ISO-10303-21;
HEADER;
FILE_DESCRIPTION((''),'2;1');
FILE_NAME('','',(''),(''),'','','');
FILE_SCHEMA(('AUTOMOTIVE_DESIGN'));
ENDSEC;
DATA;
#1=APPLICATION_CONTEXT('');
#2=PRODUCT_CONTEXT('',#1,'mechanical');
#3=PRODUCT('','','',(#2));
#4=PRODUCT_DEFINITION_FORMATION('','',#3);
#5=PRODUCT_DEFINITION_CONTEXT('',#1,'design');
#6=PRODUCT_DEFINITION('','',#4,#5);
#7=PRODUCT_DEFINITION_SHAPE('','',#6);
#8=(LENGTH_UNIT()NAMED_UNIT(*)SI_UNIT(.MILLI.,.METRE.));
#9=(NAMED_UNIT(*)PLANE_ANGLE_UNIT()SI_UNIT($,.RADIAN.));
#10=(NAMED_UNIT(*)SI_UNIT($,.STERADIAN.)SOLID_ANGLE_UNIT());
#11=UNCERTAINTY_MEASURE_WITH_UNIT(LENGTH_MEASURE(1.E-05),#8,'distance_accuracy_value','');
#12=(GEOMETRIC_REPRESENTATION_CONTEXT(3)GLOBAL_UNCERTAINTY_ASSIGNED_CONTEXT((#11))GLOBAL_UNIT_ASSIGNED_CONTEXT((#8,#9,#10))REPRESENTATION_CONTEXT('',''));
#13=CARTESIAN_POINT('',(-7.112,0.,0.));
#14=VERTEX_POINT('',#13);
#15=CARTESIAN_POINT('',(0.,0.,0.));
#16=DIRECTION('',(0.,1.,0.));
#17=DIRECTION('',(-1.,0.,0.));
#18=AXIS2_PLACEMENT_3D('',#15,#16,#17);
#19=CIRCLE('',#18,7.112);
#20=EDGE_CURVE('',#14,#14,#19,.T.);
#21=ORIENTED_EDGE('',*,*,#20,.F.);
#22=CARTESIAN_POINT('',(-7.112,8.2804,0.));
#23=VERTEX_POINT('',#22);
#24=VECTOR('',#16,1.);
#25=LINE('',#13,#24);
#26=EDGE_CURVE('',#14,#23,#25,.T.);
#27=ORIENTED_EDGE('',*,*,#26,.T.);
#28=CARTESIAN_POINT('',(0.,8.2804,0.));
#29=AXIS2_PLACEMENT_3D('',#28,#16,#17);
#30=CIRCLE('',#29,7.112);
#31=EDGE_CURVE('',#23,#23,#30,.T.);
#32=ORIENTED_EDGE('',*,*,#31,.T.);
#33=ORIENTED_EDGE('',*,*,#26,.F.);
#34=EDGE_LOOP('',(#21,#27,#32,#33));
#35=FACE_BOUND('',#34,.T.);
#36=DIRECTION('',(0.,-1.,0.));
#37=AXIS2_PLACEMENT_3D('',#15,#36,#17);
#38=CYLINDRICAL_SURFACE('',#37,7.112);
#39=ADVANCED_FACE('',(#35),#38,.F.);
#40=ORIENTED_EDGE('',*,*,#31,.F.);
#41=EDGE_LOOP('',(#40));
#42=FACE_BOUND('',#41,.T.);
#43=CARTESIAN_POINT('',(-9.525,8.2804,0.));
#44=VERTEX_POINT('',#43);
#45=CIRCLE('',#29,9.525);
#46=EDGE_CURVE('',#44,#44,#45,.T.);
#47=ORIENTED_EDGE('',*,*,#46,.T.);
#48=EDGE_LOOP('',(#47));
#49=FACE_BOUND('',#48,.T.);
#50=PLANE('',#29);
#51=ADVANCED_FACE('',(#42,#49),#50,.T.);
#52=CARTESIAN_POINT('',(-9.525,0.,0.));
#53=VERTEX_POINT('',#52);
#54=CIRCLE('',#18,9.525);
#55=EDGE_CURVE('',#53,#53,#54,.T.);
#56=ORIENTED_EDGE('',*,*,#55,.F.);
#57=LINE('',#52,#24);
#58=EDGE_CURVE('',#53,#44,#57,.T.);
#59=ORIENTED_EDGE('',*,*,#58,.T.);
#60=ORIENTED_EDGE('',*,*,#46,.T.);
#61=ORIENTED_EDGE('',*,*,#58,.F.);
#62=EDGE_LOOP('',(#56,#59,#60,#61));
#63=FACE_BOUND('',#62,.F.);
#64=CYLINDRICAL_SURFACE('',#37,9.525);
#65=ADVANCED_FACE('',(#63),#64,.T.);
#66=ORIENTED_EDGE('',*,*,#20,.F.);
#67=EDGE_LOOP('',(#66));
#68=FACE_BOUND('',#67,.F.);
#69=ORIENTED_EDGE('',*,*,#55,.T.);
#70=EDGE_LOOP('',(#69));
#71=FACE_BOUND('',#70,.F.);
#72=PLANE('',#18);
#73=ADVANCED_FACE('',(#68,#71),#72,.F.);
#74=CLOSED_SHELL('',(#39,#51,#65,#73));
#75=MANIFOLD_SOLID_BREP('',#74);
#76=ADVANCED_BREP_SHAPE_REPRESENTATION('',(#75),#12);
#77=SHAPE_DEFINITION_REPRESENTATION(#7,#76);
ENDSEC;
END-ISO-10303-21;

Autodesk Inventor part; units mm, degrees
ref_plane "YZ Plane" through (0, 0, 0) normal (1, 0, 0) x (0, 1, 0)
ref_plane "XZ Plane" through (0, 0, 0) normal (0, 1, 0) x (-1, 0, 0)
ref_plane "XY Plane" through (0, 0, 0) normal (0, 0, 1) x (1, 0, 0)
sketch "Sketch1" plane through (0, 0, 0) normal (0, 1, 0) x (-1, 0, 0)
  circle A0 centre (0, 0) radius 7.112
  circle A1 centre (0, 0) radius 9.525
  dimension "d0" = 14.224
  dimension "d1" = 19.05
extrude "Extrusion1" add sketch "Sketch1" along normal blind 8.2804
properties part number "DragBarLinkage3 Spacer2" material "Acetal Resin, Black"
